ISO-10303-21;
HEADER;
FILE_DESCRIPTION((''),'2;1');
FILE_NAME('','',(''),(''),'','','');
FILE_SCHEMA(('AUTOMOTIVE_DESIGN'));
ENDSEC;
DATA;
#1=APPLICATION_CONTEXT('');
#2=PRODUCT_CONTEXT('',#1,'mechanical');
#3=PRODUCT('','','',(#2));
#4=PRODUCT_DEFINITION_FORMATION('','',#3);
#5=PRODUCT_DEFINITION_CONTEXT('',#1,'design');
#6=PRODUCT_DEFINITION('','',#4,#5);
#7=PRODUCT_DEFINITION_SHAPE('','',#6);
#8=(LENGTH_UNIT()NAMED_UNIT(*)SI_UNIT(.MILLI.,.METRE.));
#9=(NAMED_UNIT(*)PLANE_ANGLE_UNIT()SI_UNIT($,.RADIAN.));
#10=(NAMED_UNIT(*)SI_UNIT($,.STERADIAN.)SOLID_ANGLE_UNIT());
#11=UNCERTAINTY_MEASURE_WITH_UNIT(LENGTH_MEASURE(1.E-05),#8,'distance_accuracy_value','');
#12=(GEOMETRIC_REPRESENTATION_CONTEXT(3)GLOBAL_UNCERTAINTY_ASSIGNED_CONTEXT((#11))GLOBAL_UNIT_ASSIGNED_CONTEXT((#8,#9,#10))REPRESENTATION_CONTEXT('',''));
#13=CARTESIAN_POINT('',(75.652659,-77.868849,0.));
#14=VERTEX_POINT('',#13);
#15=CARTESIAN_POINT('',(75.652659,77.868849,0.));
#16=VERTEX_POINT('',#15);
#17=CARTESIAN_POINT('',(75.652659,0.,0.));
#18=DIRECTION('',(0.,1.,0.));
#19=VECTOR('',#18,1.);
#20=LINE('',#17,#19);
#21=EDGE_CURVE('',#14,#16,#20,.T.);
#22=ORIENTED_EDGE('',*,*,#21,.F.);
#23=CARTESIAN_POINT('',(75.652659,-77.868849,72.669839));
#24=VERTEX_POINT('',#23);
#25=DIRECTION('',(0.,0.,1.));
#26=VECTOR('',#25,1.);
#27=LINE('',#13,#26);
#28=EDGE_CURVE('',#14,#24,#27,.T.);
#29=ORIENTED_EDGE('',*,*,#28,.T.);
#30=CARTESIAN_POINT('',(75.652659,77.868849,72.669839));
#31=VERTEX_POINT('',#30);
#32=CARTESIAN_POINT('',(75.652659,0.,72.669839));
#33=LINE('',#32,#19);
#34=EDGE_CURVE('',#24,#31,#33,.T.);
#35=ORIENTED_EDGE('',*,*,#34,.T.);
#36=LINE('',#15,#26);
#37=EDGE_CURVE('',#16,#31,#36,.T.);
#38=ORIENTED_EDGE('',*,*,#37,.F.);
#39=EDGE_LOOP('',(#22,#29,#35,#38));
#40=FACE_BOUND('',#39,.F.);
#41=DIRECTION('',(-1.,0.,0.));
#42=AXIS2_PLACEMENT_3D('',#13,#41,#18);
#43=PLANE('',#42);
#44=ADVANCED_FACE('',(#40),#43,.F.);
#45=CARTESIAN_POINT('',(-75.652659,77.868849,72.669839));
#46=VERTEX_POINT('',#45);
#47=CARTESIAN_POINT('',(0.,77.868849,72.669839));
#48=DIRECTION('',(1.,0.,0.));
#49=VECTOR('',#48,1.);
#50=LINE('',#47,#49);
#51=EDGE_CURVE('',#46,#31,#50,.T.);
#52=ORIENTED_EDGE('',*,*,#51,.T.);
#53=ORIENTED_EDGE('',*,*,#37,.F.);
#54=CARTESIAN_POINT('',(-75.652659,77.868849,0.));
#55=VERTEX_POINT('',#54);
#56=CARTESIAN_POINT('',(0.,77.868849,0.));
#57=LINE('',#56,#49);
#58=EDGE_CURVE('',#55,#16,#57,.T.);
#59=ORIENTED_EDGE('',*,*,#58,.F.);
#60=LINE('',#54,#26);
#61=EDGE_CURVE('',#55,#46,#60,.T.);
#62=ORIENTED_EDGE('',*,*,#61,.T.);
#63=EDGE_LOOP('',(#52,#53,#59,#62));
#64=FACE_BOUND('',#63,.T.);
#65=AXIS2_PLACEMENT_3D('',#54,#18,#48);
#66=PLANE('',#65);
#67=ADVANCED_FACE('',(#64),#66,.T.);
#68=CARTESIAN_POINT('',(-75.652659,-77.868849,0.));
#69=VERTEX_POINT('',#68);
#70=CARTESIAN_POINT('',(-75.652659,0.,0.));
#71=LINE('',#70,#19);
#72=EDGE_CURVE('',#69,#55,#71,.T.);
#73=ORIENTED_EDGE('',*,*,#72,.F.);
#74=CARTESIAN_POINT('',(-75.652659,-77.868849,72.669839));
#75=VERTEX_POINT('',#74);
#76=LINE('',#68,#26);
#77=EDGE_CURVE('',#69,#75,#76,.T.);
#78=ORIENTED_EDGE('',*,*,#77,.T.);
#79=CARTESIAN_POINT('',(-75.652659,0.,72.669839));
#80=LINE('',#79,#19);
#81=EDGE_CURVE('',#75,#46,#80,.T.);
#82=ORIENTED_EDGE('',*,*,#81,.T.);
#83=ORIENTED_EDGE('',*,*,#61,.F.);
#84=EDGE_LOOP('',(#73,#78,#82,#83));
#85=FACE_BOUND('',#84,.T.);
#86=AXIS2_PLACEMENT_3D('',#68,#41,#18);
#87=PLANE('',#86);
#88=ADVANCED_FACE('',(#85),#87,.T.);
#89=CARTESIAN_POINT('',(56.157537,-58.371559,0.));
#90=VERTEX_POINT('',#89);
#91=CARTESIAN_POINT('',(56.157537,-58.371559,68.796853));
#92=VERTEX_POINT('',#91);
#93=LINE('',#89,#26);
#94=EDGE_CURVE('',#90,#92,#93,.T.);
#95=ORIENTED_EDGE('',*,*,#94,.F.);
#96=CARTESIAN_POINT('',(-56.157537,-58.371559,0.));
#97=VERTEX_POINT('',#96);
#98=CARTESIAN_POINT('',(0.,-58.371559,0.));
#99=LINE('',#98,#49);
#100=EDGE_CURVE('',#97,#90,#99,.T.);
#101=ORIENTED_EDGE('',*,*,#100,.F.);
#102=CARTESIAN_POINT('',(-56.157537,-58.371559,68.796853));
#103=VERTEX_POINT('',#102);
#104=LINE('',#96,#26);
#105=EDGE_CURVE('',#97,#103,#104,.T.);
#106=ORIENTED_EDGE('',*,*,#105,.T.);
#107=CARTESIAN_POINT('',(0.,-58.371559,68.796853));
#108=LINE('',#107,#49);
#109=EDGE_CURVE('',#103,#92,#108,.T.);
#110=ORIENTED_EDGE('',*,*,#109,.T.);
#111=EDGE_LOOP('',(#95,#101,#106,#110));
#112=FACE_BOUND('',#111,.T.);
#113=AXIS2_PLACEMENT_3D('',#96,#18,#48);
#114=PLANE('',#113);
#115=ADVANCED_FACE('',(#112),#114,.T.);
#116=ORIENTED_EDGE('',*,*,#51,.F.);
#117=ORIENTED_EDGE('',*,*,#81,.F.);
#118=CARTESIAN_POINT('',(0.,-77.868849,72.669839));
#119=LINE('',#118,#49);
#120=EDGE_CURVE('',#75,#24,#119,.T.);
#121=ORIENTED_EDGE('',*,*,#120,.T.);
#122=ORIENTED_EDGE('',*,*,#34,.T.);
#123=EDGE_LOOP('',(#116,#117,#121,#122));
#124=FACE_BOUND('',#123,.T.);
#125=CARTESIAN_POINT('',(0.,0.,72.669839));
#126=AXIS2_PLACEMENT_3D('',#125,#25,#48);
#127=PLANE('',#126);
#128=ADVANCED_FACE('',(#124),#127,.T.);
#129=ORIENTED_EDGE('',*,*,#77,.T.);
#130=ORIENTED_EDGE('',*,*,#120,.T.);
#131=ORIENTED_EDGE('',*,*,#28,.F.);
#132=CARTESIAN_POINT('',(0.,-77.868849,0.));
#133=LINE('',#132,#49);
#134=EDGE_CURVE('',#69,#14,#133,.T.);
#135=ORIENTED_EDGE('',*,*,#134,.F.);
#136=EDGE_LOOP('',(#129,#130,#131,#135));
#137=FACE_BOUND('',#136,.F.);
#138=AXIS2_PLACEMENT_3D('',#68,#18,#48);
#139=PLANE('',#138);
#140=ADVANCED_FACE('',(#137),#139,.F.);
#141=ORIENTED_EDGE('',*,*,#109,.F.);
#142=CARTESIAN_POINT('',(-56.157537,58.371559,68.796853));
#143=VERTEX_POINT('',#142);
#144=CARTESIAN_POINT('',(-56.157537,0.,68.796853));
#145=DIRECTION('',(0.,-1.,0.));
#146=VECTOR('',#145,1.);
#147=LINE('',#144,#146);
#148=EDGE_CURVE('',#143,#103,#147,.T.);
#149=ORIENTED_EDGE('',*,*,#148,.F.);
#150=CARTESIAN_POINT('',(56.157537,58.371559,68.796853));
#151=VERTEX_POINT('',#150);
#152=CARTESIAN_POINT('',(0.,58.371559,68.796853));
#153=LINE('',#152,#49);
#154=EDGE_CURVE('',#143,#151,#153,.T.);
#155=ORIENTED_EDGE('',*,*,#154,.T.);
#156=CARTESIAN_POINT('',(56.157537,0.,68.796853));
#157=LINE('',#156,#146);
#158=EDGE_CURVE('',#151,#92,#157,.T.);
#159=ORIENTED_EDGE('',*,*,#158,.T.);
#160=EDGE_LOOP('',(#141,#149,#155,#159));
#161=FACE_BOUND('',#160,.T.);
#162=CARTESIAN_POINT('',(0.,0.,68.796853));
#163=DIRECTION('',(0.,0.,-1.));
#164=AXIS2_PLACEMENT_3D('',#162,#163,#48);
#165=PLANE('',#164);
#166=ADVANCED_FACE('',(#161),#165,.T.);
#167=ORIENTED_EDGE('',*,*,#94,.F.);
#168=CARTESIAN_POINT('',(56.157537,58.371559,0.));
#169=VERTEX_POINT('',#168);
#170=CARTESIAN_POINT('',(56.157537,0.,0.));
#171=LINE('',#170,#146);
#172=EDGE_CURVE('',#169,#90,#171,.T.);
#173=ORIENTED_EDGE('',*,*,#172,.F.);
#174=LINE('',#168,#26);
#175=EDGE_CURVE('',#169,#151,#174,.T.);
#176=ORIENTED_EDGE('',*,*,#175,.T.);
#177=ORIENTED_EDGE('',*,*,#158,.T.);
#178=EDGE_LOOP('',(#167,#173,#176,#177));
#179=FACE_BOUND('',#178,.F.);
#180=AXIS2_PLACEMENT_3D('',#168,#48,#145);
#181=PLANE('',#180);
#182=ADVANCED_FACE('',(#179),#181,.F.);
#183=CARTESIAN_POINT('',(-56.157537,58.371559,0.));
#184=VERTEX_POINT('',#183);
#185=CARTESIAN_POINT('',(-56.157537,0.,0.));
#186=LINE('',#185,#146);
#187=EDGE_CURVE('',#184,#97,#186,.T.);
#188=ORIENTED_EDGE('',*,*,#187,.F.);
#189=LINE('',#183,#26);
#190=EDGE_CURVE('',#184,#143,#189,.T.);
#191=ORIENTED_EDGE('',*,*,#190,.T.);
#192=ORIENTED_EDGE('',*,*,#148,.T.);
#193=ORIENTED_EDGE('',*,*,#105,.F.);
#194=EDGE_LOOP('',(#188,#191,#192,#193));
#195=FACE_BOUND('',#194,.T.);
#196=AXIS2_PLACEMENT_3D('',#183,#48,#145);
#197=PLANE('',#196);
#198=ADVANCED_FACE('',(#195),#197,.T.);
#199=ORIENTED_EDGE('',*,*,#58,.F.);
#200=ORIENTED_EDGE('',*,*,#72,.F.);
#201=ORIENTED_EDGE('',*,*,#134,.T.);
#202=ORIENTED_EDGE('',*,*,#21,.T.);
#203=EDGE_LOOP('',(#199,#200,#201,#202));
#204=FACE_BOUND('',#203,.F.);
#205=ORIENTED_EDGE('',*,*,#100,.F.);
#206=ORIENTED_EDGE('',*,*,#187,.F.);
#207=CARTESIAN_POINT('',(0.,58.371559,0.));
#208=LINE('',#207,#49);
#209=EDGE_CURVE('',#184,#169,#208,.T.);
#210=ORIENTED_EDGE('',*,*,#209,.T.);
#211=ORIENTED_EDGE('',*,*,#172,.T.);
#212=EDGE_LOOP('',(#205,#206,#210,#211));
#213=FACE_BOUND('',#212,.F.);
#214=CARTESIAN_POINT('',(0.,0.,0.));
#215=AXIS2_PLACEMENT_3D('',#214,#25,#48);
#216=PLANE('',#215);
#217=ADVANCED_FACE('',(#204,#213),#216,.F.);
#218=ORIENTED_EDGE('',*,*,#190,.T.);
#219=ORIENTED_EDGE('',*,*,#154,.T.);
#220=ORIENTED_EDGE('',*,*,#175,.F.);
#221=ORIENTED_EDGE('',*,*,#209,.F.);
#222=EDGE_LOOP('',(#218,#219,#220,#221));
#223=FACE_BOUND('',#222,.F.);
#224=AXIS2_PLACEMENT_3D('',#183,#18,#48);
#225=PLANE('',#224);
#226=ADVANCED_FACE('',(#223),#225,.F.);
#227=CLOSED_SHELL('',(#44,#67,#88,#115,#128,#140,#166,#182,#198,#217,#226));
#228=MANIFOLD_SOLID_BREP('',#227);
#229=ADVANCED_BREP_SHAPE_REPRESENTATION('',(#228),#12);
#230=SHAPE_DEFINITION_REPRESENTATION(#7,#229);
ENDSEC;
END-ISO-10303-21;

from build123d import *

# Parameters (mm, degrees)
F0_W     = 151.305318
F0_H     = 155.737698
F1_DEPTH = 72.669839
F2_W     = 112.315074
F2_H     = 116.743118
F3_DEPTH = 68.796853


with BuildPart() as f1:
    # F0 (on Top) → F1 (new body)
    with BuildSketch(Plane.XY):
        Rectangle(F0_W, F0_H)
    extrude(amount=F1_DEPTH)

    # F2 (on face) → F3 (cut)
    with BuildSketch(Plane(origin=(0, 0, 0), x_dir=(1, 0, 0), z_dir=(0, 0, -1))):
        Rectangle(F2_W, F2_H)
    extrude(amount=-F3_DEPTH, mode=Mode.SUBTRACT)


solid = f1.part
